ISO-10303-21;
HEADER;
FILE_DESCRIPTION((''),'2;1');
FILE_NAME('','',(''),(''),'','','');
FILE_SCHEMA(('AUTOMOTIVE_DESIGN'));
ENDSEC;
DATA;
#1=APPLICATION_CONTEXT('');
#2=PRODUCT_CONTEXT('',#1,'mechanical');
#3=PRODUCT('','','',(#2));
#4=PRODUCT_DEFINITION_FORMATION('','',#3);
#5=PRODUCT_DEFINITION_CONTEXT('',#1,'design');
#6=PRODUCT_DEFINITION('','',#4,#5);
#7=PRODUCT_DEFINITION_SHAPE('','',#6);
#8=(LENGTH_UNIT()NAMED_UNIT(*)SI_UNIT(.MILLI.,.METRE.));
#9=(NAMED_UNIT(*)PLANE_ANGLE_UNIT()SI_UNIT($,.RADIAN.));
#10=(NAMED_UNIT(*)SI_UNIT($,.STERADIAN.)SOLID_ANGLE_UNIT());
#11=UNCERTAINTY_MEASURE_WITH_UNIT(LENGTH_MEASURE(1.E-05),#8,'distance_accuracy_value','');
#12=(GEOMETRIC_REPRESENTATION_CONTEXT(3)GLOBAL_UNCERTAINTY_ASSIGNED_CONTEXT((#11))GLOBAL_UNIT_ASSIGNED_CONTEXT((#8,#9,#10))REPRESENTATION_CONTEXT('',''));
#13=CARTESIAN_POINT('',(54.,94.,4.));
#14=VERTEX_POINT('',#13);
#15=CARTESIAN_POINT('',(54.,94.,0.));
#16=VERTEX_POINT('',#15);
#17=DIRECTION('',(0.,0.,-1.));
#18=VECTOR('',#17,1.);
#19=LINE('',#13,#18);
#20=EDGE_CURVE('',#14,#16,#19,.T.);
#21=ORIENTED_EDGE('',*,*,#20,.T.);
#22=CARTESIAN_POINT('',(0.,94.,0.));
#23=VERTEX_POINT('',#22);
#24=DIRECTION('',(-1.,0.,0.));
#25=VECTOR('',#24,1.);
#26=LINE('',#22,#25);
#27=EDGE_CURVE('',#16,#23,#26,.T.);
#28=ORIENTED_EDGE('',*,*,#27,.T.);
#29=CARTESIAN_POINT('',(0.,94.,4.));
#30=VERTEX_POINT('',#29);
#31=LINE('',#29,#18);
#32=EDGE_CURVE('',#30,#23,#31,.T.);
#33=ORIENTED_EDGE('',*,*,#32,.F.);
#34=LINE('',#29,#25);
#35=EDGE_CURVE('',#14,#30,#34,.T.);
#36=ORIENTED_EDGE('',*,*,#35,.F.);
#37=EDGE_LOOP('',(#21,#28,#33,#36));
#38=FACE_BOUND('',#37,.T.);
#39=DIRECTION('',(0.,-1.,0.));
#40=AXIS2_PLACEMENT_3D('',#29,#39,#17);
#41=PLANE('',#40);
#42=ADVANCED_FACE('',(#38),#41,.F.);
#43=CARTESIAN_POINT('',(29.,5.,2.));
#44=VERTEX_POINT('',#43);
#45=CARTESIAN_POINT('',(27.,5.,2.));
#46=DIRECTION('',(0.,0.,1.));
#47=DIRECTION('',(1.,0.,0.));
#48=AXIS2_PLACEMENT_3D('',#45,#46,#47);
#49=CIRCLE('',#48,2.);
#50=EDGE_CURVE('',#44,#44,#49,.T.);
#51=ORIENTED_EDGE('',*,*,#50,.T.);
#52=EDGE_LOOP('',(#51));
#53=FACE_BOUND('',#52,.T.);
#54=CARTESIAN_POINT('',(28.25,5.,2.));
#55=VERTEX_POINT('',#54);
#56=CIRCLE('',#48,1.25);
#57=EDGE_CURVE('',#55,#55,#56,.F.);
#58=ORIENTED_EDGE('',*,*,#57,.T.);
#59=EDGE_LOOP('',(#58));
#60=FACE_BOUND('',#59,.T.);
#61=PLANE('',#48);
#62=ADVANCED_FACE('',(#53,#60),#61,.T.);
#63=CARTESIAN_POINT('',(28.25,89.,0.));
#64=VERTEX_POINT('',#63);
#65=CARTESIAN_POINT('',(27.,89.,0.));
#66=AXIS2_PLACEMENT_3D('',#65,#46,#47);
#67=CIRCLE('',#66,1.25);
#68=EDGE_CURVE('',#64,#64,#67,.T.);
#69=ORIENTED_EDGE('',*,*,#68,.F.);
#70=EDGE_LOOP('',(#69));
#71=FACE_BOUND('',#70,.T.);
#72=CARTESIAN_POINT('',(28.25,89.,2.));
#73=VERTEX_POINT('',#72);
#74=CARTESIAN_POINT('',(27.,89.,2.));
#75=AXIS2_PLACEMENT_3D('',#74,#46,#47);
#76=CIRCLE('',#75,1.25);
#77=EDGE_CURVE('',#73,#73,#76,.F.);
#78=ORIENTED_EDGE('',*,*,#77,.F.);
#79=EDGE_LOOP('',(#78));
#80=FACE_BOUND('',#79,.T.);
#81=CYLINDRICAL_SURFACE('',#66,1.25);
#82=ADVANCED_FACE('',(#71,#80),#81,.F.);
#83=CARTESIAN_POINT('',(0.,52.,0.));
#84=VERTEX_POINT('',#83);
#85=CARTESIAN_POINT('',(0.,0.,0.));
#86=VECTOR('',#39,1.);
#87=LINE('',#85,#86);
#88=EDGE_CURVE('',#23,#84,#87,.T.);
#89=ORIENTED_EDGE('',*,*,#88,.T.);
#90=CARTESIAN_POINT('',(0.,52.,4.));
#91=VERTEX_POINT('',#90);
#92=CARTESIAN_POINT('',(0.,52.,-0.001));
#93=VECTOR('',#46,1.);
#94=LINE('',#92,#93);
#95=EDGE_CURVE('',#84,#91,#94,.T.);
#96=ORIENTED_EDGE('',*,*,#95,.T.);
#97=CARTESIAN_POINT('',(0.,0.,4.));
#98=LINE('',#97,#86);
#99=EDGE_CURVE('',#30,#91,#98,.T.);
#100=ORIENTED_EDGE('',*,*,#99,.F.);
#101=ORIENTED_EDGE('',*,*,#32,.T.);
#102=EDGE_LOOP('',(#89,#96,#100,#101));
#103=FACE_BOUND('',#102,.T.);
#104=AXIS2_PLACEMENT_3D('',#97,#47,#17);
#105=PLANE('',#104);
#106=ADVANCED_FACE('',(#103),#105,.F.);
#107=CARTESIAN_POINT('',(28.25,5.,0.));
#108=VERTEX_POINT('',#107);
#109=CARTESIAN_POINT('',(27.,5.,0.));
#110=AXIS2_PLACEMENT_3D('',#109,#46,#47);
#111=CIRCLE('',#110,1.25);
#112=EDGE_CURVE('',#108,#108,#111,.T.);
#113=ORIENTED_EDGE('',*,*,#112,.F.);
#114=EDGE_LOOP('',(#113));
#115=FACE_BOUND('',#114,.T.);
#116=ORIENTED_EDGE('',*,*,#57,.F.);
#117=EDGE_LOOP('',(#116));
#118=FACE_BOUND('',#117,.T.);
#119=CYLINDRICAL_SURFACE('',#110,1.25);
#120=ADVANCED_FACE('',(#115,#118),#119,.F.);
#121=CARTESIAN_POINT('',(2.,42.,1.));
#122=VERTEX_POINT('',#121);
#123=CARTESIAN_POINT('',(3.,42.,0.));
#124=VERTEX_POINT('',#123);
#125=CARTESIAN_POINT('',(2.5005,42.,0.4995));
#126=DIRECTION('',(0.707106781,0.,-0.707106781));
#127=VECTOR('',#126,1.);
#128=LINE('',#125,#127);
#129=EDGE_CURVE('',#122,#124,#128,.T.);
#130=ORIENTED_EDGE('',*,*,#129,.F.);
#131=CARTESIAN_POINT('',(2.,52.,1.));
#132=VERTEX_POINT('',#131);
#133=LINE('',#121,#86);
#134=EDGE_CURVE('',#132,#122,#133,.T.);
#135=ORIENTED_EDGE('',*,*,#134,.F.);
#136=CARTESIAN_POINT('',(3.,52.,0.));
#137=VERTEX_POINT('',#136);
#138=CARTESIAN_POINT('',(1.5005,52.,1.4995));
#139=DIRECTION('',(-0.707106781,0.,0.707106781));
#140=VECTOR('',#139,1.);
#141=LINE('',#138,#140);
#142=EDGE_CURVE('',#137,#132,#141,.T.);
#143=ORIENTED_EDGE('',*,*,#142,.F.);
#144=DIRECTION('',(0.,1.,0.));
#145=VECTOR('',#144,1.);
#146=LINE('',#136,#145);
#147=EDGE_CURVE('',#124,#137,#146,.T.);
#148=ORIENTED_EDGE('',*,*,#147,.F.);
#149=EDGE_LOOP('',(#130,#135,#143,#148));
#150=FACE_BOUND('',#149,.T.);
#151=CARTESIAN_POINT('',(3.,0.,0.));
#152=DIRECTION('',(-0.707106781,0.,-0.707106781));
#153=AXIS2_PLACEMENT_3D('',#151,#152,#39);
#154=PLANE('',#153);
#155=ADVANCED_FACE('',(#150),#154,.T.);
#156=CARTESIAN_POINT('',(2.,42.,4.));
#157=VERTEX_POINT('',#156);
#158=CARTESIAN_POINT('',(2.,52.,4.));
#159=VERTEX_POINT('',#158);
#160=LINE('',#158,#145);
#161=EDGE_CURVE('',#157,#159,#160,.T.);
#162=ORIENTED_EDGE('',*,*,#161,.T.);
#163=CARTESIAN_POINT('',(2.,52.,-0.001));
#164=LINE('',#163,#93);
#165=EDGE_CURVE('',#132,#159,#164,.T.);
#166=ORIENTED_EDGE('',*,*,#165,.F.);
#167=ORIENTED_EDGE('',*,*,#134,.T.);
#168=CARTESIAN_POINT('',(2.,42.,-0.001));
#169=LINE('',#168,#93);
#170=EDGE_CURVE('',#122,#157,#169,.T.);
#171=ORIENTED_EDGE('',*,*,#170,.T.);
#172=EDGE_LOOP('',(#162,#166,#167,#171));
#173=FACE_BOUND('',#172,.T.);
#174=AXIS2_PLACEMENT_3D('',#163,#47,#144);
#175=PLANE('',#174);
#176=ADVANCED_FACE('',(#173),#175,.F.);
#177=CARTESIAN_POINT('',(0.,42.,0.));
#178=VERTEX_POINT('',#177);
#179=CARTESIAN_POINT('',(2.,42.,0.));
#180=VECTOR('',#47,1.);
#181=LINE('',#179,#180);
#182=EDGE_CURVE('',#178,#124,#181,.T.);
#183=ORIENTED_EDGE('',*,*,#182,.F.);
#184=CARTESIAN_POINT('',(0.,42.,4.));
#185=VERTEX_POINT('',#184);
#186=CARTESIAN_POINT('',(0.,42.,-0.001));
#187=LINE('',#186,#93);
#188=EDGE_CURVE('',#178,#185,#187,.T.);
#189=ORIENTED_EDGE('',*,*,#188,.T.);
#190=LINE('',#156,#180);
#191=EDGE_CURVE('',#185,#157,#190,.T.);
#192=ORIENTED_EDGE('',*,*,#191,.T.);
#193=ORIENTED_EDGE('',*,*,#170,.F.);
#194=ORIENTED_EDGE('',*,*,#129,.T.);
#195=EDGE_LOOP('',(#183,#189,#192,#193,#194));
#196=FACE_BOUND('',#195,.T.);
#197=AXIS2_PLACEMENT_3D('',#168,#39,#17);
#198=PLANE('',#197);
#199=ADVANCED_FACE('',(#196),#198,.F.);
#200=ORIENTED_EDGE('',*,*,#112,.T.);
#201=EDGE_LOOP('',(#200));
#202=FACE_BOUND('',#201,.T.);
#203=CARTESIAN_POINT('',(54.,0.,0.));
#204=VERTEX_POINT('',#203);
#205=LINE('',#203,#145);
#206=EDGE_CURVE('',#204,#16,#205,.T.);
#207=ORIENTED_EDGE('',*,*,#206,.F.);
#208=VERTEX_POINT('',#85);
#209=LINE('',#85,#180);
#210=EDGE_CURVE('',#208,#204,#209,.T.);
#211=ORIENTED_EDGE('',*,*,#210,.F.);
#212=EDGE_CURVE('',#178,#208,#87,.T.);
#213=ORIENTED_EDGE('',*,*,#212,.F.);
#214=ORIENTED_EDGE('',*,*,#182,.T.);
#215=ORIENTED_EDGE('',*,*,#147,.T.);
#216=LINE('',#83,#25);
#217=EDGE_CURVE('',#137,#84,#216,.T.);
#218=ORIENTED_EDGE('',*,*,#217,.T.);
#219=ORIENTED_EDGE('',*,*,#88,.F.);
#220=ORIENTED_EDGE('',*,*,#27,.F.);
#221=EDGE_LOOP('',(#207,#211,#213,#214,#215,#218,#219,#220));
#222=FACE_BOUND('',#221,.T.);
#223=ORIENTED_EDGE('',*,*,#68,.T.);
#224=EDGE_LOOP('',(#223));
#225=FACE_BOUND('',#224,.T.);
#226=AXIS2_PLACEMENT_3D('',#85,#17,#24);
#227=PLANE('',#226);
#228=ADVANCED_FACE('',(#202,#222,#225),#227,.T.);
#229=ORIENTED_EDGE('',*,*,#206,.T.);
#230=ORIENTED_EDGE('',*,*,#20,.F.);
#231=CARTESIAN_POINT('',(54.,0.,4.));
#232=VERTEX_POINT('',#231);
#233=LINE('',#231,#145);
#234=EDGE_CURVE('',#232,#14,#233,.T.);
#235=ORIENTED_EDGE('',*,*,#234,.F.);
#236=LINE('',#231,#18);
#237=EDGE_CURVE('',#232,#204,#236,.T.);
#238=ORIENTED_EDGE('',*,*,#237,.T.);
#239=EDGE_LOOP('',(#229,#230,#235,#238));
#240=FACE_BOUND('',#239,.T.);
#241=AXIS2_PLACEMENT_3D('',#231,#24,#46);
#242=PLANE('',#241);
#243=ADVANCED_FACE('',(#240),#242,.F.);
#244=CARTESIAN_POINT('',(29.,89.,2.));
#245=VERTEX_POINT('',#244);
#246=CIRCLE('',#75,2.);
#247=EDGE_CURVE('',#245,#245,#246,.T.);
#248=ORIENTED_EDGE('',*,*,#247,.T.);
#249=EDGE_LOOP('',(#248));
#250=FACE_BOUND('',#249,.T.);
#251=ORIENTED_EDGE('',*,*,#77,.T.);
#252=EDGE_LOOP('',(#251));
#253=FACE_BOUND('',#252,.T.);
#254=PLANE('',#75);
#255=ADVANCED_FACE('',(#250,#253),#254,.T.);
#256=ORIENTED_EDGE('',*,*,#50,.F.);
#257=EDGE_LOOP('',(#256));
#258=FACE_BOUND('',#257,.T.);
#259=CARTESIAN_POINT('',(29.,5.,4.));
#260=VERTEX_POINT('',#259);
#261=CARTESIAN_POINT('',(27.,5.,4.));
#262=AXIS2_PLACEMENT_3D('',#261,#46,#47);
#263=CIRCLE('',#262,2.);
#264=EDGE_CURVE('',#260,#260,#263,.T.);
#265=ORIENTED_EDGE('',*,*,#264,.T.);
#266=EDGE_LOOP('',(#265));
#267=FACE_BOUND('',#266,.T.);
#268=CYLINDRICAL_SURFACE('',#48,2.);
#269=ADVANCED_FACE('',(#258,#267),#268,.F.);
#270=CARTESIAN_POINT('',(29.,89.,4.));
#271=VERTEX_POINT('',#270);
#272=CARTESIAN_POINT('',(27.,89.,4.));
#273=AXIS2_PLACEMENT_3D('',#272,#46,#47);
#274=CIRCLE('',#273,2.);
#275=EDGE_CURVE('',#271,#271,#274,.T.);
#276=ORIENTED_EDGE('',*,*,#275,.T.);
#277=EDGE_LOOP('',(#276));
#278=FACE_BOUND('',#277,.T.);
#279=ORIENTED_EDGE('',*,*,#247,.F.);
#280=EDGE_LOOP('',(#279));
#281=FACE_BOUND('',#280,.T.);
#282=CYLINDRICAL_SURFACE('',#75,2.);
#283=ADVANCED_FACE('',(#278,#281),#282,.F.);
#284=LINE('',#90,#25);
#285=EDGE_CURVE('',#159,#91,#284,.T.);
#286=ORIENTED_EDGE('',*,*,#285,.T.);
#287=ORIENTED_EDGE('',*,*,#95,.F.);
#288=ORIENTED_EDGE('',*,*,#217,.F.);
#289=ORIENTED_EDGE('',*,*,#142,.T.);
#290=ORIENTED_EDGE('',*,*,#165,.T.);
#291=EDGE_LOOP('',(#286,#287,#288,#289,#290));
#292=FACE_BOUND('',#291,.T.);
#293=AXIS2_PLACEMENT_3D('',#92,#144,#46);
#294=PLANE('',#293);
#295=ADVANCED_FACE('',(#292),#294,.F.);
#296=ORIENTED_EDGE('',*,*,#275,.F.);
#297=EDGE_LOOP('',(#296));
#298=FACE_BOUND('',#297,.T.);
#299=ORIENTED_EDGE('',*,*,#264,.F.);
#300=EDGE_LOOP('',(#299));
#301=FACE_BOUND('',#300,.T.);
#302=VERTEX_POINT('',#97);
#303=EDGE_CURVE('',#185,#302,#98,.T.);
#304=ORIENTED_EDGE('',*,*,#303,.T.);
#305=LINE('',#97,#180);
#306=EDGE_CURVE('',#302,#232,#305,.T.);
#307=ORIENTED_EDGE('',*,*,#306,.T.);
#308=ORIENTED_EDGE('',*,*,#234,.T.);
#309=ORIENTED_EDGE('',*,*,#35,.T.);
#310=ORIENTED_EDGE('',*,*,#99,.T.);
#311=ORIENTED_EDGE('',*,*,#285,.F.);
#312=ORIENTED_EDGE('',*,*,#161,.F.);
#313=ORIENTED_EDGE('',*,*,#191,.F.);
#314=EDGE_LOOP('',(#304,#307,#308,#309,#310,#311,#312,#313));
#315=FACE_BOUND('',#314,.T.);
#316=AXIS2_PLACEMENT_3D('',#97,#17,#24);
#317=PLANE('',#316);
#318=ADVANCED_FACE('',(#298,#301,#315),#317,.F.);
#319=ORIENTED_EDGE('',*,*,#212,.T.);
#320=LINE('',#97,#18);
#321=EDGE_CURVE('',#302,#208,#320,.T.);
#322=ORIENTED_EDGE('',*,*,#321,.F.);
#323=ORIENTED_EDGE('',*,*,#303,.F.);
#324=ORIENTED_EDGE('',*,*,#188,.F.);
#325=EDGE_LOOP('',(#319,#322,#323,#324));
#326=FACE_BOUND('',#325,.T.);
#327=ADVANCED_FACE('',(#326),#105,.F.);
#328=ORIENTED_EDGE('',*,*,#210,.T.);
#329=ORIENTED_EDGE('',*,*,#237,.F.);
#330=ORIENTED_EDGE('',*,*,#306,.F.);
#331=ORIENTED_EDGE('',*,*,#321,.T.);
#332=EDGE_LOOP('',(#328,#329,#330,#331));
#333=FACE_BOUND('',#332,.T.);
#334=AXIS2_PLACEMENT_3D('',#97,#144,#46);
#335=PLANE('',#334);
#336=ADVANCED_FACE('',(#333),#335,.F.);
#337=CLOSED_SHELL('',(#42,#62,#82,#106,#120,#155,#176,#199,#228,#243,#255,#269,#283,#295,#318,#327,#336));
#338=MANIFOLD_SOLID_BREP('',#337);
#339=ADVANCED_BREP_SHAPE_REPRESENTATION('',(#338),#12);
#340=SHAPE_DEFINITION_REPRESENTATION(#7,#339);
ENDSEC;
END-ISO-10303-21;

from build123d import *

# Parameters (mm, degrees)
SKETCH1_W           = 54
SKETCH1_H           = 94
BOSS_EXTRUDE1_DEPTH = 4
CUT_EXTRUDE1_REACH  = 6
SKETCH2_W           = 2
SKETCH2_H           = 10
SKETCH3_R           = 1.25
CUT_EXTRUDE2_DEPTH  = 5
CHAMFER1_SIZE       = 1
SKETCH4_R           = 2
CUT_EXTRUDE3_DEPTH  = 2


with BuildPart() as part:
    # Sketch1 → Boss-Extrude1 (new body)
    with BuildSketch(Plane.XY):
        with Locations((27, 47)):
            Rectangle(SKETCH1_W, SKETCH1_H)
    extrude(amount=BOSS_EXTRUDE1_DEPTH)

    # Sketch2 → Cut-Extrude1 (cut, up to next)
    with BuildSketch(Plane.XY.offset(4), mode=Mode.PRIVATE) as cut_extrude1_sk1:
        with Locations((1, 47)):
            Rectangle(SKETCH2_W, SKETCH2_H)
    cut_extrude1_tool1 = extrude(cut_extrude1_sk1.sketch, amount=-CUT_EXTRUDE1_REACH, mode=Mode.PRIVATE) & part.part
    add(cut_extrude1_tool1.solids().sort_by_distance((1, 47, 4))[0], mode=Mode.SUBTRACT)

    # Sketch3 → Cut-Extrude2 (cut, through all)
    with BuildSketch(Plane.XY.offset(4)):
        with Locations((27, 89)):
            Circle(SKETCH3_R)
        with Locations((27, 5)):
            Circle(SKETCH3_R)
    extrude(amount=-CUT_EXTRUDE2_DEPTH, mode=Mode.SUBTRACT)

    # Chamfer1
    chamfer1_edges = [part.edges().sort_by_distance(p)[0] for p in [
        (2, 47, 0),
    ]]
    chamfer(chamfer1_edges, length=CHAMFER1_SIZE)

    # Sketch4 → Cut-Extrude3 (cut)
    with BuildSketch(Plane.XY.offset(4)):
        with Locations((27, 89)):
            Circle(SKETCH4_R)
        with Locations((27, 5)):
            Circle(SKETCH4_R)
    extrude(amount=-CUT_EXTRUDE3_DEPTH, mode=Mode.SUBTRACT)


solid = part.part
